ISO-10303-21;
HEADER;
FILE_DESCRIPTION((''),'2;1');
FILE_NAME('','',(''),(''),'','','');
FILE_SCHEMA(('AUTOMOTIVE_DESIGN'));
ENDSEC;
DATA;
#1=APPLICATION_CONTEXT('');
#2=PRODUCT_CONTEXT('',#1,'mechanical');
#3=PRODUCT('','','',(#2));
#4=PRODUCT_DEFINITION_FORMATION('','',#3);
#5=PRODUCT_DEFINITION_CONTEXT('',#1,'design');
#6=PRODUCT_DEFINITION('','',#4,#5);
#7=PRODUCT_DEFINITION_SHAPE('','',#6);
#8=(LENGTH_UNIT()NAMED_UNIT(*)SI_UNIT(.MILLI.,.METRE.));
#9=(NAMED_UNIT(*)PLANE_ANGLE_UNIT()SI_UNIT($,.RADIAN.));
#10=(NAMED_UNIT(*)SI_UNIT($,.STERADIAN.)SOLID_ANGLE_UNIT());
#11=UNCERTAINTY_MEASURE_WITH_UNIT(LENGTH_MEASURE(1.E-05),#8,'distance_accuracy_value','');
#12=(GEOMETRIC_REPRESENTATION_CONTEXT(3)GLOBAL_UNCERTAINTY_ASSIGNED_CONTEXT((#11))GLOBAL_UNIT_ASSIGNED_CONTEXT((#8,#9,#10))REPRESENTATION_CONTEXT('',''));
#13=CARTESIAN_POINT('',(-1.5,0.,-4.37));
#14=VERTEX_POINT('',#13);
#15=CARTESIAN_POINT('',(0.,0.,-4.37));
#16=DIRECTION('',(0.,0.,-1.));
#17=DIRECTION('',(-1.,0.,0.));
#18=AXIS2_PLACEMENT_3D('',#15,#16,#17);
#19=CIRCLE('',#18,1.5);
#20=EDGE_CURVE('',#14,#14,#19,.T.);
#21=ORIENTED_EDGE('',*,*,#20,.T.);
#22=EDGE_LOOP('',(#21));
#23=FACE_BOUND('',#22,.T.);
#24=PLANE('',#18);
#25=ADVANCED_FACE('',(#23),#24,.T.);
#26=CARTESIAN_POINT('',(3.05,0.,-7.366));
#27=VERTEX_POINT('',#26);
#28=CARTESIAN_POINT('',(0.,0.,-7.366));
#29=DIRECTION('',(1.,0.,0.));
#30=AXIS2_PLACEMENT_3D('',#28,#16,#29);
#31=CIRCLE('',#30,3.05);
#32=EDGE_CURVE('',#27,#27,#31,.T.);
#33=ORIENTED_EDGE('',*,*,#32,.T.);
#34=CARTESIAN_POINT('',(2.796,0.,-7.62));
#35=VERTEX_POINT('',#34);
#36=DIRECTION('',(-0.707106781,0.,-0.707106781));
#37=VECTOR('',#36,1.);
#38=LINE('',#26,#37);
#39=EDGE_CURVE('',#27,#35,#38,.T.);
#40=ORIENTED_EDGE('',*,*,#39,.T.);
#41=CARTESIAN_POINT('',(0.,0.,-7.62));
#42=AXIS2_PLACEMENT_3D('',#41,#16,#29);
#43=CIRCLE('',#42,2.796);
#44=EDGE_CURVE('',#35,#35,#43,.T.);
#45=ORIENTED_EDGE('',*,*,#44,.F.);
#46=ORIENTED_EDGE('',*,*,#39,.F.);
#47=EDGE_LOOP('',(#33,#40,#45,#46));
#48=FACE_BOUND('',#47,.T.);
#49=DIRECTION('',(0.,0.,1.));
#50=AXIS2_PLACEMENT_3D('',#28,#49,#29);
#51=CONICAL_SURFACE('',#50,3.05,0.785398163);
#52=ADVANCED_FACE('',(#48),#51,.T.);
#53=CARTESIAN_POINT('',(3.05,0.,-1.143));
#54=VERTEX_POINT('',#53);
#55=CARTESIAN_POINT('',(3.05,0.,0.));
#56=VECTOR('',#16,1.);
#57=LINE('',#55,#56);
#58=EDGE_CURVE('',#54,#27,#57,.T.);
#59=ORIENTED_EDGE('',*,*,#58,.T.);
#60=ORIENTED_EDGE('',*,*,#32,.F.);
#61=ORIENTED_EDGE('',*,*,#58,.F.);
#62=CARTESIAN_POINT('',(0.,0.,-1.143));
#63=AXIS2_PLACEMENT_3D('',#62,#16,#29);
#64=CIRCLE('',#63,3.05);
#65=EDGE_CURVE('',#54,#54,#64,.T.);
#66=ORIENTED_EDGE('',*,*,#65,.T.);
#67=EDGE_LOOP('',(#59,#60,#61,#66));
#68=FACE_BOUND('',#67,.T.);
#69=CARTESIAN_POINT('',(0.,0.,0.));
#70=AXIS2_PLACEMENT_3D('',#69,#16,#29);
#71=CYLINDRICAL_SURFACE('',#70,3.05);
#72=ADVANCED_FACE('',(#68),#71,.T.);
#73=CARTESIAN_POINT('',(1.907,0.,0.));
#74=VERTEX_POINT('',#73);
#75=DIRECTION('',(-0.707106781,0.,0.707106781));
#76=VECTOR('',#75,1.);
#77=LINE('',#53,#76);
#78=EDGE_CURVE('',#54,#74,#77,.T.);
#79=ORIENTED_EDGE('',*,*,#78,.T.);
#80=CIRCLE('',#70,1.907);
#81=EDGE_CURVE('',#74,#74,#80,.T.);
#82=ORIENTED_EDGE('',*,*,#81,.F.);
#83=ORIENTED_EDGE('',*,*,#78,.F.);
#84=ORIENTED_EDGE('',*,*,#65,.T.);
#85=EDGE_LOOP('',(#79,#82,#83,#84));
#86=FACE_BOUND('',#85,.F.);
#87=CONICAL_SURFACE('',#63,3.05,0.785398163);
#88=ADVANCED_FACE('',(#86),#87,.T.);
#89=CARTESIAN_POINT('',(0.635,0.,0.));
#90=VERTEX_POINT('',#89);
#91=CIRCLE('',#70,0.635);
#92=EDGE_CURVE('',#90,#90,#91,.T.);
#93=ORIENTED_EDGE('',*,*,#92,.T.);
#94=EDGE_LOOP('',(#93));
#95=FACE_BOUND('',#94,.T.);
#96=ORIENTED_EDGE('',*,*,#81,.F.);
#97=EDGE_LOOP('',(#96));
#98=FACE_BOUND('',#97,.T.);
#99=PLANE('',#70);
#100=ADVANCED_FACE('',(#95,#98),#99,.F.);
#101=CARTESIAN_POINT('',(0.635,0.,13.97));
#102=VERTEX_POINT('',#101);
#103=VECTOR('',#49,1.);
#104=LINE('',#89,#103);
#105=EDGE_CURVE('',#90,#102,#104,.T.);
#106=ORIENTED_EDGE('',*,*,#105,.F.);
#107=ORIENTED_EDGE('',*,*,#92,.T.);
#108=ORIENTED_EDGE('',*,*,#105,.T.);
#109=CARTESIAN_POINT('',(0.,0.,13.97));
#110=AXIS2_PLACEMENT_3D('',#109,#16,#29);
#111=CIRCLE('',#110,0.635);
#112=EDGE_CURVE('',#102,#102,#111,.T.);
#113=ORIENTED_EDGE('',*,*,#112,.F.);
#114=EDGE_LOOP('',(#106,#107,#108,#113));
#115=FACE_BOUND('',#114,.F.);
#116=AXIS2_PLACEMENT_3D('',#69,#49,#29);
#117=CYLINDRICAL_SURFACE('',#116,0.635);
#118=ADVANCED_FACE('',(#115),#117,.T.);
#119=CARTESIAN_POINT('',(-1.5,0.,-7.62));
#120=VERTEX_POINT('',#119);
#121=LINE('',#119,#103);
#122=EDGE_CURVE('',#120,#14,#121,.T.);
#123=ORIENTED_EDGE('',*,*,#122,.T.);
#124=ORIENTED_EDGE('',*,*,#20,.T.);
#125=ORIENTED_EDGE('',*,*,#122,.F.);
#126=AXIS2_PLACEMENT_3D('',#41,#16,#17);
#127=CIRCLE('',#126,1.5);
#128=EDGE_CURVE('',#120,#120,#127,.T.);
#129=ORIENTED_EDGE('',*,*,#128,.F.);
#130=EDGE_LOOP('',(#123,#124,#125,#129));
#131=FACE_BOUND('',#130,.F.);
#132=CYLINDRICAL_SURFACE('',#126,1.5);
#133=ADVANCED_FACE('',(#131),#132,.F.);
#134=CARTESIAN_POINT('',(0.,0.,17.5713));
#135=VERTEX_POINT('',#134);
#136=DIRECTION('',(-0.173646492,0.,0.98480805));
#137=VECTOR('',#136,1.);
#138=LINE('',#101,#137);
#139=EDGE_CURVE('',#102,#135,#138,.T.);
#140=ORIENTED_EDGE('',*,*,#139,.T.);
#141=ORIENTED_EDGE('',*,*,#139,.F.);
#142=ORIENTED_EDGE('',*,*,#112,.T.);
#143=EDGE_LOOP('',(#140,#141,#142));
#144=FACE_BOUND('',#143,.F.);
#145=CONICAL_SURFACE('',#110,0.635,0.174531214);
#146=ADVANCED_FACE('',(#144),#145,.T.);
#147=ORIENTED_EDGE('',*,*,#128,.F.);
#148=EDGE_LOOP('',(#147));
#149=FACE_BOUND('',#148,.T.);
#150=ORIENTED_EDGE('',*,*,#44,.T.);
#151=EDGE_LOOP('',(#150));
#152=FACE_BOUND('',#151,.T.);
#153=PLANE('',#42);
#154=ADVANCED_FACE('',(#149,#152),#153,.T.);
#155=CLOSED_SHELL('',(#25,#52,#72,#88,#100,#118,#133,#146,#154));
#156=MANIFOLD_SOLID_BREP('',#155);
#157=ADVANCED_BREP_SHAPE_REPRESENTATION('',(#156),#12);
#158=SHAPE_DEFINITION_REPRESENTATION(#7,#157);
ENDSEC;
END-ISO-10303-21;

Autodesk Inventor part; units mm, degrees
ref_plane "YZ Plane" through (0, 0, 0) normal (1, 0, 0) x (0, 1, 0)
ref_plane "XZ Plane" through (0, 0, 0) normal (0, 1, 0) x (-1, 0, 0)
ref_plane "XY Plane" through (0, 0, 0) normal (0, 0, 1) x (1, 0, 0)
sketch "Sketch1" plane through (0, 0, 0) normal (0, 1, 0) x (-1, 0, 0)
  line L0 (0, 0) -> (-3.05, 0)
  line L1 (-3.05, 0) -> (-3.05, -7.62)
  line L2 (-3.05, -7.62) -> (0, -7.62)
  line L3 (0, -7.62) -> (0, 0)
  line L4 (0, 0) -> (-0.635, 0)
  line L5 (-0.635, 0) -> (-0.635, 13.97)
  line L6 (-0.635, 13.97) -> (0, 13.97)
  line L7 (0, 13.97) -> (0, 0)
  line L8 (-0.635, 13.97) -> (0, 17.5713)
  line L9 (-0.635, 13.97) -> (3.0218, 13.97) construction
  line L10 (0, 17.5713) -> (0, 13.97)
  dimension "d0" = 3.05
  dimension "d1" = 7.62
  dimension "d2" = 0.635
  dimension "d3" = 13.97
  dimension "d13" = 80
  dimension "d14" = 10
  dimension "d15" = 17.5713
  dimension "d16" = 25.1913
revolve "Revolution1" add sketch "Sketch1" angle 360 about axis through (0, 0, 13.97) along (0, 0, -1)
sketch "Sketch2" plane through (0, 0, -7.62) normal (0, 0, -1) x (-1, 0, 0)
  circle A0 centre (0, 0) radius 3.05 projected
  circle A1 centre (0, 0) radius 1.5
  dimension "d5" = 3
extrude "Extrusion1" cut sketch "Sketch2" against normal blind 3.25 contours A1
chamfer "Chamfer1" distance 1.143 angle 45 1 edges at (-3.05, 0, 0)
chamfer "Chamfer2" distance 0.254 angle 45 1 edges at (-3.05, 0, -7.62)
thread "Thread2" size "M3x0.5" class "6H" standard "ANSI Metric M Profile" full length
properties part number "carbide_probe_30deg_tip_r02" material "Steel, High Strength, Low Alloy"
